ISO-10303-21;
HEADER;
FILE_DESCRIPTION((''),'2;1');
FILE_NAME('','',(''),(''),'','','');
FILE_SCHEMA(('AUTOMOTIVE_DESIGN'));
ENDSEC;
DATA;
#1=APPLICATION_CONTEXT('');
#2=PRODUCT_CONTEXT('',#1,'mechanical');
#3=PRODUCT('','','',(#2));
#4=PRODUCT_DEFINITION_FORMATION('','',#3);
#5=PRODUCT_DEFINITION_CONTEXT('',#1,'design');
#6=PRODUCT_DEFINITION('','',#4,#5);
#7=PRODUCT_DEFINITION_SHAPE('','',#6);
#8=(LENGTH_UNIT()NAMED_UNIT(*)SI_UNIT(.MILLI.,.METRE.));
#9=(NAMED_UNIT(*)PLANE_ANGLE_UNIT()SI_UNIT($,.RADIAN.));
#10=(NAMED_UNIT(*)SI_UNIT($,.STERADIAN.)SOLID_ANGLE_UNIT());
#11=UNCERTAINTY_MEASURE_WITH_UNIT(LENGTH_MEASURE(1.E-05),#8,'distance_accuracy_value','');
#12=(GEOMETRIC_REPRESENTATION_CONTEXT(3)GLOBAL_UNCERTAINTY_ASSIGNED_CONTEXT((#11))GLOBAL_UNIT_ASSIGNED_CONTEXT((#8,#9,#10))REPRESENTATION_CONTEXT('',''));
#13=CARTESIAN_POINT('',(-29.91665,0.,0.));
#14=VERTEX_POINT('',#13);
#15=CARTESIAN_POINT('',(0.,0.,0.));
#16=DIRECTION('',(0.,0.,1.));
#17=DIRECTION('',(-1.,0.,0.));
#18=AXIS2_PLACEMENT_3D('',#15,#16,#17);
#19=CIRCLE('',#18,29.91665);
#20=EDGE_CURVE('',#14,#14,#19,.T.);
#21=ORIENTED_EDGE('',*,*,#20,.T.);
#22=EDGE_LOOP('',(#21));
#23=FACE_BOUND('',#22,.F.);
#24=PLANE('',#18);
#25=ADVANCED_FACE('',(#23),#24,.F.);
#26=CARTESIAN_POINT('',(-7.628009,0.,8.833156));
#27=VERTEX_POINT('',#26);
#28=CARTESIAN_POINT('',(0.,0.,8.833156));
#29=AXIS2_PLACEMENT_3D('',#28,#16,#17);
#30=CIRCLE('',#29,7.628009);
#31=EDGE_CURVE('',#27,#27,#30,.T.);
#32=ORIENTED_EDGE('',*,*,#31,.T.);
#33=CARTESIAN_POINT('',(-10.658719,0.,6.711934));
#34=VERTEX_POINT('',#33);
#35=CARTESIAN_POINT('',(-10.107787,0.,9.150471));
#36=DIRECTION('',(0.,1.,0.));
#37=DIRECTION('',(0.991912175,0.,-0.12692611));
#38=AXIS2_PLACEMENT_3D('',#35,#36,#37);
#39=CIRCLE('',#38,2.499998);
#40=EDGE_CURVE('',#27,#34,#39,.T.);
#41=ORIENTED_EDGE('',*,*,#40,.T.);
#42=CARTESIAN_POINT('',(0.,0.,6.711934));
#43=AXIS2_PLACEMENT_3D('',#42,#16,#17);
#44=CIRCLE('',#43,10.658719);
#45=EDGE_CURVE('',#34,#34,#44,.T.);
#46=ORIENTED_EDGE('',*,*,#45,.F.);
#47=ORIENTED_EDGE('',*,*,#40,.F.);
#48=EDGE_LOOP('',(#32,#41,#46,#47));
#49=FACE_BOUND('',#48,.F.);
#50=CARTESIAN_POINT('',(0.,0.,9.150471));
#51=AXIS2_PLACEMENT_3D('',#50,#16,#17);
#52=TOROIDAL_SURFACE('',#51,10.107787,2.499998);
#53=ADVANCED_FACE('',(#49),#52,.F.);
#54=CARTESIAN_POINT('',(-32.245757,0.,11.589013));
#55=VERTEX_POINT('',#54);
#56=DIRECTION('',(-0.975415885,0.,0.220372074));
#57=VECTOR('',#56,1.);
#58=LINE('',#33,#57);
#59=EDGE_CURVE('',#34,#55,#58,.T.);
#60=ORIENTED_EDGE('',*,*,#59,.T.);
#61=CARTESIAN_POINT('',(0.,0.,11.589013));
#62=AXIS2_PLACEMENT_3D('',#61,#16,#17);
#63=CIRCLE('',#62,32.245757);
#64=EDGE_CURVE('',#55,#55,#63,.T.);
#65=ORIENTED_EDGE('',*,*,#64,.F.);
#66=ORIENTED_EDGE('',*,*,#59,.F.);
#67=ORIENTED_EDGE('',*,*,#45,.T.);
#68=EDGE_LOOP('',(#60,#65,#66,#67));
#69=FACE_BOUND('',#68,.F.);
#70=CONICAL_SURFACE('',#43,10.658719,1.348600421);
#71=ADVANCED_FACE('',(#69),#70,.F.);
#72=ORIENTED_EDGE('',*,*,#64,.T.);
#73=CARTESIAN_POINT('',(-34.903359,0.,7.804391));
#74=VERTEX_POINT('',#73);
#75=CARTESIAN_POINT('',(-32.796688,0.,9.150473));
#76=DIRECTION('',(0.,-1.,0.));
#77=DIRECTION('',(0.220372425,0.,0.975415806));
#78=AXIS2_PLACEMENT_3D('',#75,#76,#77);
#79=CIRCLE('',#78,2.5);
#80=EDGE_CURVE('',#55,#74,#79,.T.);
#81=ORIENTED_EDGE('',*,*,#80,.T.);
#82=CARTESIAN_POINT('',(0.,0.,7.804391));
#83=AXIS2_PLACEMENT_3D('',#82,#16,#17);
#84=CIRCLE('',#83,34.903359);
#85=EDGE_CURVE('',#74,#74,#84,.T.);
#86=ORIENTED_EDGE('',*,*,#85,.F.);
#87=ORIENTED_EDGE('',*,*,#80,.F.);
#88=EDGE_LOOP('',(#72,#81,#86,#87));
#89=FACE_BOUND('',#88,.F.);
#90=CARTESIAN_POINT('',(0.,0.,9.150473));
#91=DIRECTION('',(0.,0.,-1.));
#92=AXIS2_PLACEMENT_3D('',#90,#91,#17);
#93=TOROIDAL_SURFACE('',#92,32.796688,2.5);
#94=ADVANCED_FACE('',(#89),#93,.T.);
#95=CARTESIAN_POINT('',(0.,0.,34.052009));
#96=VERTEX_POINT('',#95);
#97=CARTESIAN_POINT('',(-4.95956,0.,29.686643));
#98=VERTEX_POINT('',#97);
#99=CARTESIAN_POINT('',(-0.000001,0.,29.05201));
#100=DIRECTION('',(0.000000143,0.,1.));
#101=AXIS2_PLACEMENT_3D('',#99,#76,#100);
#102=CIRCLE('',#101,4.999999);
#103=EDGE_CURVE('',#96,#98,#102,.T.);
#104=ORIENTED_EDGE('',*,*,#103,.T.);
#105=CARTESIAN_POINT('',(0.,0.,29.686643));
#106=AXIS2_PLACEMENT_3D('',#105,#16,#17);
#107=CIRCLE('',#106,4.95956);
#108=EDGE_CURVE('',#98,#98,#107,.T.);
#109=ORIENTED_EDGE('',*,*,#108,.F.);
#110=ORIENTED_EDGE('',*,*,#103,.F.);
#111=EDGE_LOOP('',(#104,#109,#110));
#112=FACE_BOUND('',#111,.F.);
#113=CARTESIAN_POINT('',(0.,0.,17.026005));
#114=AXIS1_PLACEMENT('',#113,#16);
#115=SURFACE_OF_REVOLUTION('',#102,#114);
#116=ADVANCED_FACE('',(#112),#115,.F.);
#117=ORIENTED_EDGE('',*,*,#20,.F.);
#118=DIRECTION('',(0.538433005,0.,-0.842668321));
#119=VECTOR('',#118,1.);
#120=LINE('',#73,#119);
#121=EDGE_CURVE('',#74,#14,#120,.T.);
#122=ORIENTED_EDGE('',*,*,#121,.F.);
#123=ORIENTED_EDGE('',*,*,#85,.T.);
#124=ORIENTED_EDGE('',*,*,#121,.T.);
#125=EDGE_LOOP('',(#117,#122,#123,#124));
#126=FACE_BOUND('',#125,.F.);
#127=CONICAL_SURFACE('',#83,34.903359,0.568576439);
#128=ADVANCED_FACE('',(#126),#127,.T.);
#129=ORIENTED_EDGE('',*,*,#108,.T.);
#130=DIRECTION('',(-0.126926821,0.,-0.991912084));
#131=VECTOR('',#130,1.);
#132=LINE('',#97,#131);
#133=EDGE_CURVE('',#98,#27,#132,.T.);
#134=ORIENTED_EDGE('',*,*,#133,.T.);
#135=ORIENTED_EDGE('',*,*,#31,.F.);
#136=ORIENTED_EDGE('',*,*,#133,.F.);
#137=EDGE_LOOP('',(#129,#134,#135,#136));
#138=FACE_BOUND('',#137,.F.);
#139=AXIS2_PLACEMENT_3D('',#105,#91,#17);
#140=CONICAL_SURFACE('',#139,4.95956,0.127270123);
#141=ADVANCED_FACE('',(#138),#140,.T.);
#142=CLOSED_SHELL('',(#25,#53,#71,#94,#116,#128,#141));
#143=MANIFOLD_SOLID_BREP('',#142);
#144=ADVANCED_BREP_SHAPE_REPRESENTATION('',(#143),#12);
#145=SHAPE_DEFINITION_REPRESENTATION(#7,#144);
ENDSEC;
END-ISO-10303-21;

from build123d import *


with BuildPart() as f1:
    # F0 (on Front) → F1 (revolve)
    with BuildSketch(Plane.XZ):
        with BuildLine():
            Line((0, 0), (0, 34.052009))
            ThreePointArc((0, 34.052009), (-3.303546, 32.805219), (-4.95956, 29.686643))
            Line((-4.95956, 29.686643), (-7.628009, 8.833156))
            ThreePointArc((-7.628009, 8.833156), (-8.674257, 7.102306), (-10.658719, 6.711934))
            Line((-10.658719, 6.711934), (-32.245757, 11.589013))
            ThreePointArc((-32.245757, 11.589013), (-34.842641, 10.587163), (-34.903359, 7.804391))
            Line((-34.903359, 7.804391), (-29.91665, 0))
            Line((-29.91665, 0), (0, 0))
        make_face()
    revolve(axis=Axis((0, 0, 17.026005), (0, 0, 1)))


solid = f1.part
